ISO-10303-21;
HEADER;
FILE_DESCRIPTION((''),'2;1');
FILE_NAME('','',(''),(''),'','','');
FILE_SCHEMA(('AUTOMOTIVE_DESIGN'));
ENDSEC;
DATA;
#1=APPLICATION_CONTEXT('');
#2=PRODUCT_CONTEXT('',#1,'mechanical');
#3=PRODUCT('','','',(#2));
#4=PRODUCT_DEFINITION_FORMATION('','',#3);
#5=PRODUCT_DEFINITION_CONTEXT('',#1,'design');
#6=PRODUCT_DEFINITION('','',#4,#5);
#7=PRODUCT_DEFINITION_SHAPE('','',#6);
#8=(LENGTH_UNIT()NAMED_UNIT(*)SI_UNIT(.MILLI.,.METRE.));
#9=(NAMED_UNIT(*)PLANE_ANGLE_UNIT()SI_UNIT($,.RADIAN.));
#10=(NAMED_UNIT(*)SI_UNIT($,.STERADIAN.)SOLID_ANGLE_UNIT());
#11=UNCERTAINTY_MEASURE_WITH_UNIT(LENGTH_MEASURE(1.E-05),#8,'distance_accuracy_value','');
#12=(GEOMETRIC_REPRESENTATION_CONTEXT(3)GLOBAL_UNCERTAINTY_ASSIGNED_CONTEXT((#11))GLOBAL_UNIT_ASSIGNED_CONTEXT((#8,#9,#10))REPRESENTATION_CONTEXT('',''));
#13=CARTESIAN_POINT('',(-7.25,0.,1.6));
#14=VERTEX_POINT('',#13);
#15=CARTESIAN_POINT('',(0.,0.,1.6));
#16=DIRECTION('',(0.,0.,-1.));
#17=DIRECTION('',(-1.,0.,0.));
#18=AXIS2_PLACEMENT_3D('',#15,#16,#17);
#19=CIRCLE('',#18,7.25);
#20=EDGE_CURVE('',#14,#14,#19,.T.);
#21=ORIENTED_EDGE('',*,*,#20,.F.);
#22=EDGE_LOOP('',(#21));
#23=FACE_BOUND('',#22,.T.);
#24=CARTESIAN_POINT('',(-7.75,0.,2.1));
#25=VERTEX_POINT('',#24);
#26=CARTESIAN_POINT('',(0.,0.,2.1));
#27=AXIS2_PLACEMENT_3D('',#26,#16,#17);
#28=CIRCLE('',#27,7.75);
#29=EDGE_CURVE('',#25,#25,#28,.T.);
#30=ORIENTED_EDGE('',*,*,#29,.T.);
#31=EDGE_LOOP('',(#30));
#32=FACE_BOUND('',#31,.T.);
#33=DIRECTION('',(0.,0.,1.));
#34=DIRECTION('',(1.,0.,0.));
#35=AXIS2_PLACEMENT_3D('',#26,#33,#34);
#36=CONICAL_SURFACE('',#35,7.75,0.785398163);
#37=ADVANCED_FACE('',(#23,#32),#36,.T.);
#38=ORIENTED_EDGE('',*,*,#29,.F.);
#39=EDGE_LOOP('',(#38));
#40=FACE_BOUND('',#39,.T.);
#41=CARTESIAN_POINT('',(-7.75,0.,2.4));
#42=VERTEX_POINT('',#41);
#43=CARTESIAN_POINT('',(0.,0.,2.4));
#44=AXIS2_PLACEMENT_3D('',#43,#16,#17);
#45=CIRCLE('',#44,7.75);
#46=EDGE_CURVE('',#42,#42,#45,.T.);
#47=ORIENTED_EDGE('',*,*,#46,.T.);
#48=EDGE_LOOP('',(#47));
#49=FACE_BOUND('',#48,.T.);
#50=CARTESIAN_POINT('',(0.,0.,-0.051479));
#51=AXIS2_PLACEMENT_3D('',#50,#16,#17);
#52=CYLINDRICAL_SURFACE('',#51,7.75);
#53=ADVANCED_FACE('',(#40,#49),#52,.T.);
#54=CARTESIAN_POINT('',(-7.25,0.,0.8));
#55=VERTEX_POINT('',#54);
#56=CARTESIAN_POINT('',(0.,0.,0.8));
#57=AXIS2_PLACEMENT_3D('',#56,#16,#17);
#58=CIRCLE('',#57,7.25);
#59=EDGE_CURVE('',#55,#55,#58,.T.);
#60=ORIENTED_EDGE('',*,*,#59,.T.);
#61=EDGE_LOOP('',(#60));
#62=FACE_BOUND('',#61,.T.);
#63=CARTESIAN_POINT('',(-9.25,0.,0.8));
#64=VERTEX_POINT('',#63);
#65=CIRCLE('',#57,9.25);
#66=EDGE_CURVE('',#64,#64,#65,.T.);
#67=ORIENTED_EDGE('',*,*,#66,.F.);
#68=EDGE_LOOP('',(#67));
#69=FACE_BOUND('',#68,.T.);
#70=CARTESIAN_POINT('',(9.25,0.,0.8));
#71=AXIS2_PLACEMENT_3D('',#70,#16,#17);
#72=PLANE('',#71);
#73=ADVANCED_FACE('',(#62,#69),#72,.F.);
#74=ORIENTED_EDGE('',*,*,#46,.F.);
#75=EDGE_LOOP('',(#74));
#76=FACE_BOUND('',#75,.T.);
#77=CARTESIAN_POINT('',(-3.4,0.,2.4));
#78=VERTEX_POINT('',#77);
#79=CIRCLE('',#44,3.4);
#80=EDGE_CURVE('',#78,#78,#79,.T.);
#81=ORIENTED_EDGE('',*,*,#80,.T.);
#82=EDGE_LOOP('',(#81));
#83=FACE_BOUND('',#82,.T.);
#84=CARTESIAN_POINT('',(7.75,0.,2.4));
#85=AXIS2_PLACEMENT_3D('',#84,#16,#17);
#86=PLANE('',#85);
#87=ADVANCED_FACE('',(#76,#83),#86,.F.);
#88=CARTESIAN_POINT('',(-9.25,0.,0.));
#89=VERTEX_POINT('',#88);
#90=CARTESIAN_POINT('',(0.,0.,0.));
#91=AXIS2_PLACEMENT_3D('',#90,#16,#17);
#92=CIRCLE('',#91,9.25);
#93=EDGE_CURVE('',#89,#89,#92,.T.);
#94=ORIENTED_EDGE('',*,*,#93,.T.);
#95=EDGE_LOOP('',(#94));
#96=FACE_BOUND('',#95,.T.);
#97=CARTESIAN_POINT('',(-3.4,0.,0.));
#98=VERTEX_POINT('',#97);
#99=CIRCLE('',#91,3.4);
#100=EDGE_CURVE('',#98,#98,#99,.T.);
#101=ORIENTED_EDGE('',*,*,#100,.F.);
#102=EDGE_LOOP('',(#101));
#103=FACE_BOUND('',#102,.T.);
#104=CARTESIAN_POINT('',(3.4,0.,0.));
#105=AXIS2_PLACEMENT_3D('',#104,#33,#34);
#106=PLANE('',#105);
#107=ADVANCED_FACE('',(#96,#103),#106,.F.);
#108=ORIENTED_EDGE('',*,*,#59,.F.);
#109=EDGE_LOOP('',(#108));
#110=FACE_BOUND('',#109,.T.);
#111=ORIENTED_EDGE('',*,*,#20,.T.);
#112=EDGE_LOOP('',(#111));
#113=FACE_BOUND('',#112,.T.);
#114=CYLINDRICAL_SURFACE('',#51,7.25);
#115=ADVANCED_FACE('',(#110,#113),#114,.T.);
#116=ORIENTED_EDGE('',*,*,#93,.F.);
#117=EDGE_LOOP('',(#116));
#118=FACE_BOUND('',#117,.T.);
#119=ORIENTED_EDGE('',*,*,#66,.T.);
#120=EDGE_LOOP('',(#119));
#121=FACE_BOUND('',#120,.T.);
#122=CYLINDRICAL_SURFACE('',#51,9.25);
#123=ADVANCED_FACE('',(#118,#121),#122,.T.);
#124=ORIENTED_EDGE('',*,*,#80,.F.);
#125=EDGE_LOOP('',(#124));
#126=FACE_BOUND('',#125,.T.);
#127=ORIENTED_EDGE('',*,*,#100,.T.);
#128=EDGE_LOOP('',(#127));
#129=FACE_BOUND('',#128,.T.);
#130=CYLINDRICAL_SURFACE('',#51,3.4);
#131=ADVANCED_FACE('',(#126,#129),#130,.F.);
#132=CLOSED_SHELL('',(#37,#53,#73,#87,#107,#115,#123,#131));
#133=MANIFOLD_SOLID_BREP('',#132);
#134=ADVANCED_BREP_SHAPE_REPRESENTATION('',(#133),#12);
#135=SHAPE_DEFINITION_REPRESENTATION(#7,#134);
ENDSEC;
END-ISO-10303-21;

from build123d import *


with BuildPart() as part:
    # Sketch1 → Revolve1 (revolve)
    with BuildSketch(Plane(origin=(0, 0, 0), x_dir=(1, 0, 0), z_dir=(0, 1, 0)), mode=Mode.PRIVATE) as revolve1_sk:
        Polygon((3.4, 0), (9.25, 0), (9.25, -0.8), (7.25, -0.8), (7.25, -1.6), (7.75, -2.1), (7.75, -2.4), (3.4, -2.4), align=None)
    revolve(revolve1_sk.sketch.rotate(Axis((0, 0, -0.05147905), (0, 0, 1)), 180), axis=Axis((0, 0, -0.05147905), (0, 0, 1)))


solid = part.part
